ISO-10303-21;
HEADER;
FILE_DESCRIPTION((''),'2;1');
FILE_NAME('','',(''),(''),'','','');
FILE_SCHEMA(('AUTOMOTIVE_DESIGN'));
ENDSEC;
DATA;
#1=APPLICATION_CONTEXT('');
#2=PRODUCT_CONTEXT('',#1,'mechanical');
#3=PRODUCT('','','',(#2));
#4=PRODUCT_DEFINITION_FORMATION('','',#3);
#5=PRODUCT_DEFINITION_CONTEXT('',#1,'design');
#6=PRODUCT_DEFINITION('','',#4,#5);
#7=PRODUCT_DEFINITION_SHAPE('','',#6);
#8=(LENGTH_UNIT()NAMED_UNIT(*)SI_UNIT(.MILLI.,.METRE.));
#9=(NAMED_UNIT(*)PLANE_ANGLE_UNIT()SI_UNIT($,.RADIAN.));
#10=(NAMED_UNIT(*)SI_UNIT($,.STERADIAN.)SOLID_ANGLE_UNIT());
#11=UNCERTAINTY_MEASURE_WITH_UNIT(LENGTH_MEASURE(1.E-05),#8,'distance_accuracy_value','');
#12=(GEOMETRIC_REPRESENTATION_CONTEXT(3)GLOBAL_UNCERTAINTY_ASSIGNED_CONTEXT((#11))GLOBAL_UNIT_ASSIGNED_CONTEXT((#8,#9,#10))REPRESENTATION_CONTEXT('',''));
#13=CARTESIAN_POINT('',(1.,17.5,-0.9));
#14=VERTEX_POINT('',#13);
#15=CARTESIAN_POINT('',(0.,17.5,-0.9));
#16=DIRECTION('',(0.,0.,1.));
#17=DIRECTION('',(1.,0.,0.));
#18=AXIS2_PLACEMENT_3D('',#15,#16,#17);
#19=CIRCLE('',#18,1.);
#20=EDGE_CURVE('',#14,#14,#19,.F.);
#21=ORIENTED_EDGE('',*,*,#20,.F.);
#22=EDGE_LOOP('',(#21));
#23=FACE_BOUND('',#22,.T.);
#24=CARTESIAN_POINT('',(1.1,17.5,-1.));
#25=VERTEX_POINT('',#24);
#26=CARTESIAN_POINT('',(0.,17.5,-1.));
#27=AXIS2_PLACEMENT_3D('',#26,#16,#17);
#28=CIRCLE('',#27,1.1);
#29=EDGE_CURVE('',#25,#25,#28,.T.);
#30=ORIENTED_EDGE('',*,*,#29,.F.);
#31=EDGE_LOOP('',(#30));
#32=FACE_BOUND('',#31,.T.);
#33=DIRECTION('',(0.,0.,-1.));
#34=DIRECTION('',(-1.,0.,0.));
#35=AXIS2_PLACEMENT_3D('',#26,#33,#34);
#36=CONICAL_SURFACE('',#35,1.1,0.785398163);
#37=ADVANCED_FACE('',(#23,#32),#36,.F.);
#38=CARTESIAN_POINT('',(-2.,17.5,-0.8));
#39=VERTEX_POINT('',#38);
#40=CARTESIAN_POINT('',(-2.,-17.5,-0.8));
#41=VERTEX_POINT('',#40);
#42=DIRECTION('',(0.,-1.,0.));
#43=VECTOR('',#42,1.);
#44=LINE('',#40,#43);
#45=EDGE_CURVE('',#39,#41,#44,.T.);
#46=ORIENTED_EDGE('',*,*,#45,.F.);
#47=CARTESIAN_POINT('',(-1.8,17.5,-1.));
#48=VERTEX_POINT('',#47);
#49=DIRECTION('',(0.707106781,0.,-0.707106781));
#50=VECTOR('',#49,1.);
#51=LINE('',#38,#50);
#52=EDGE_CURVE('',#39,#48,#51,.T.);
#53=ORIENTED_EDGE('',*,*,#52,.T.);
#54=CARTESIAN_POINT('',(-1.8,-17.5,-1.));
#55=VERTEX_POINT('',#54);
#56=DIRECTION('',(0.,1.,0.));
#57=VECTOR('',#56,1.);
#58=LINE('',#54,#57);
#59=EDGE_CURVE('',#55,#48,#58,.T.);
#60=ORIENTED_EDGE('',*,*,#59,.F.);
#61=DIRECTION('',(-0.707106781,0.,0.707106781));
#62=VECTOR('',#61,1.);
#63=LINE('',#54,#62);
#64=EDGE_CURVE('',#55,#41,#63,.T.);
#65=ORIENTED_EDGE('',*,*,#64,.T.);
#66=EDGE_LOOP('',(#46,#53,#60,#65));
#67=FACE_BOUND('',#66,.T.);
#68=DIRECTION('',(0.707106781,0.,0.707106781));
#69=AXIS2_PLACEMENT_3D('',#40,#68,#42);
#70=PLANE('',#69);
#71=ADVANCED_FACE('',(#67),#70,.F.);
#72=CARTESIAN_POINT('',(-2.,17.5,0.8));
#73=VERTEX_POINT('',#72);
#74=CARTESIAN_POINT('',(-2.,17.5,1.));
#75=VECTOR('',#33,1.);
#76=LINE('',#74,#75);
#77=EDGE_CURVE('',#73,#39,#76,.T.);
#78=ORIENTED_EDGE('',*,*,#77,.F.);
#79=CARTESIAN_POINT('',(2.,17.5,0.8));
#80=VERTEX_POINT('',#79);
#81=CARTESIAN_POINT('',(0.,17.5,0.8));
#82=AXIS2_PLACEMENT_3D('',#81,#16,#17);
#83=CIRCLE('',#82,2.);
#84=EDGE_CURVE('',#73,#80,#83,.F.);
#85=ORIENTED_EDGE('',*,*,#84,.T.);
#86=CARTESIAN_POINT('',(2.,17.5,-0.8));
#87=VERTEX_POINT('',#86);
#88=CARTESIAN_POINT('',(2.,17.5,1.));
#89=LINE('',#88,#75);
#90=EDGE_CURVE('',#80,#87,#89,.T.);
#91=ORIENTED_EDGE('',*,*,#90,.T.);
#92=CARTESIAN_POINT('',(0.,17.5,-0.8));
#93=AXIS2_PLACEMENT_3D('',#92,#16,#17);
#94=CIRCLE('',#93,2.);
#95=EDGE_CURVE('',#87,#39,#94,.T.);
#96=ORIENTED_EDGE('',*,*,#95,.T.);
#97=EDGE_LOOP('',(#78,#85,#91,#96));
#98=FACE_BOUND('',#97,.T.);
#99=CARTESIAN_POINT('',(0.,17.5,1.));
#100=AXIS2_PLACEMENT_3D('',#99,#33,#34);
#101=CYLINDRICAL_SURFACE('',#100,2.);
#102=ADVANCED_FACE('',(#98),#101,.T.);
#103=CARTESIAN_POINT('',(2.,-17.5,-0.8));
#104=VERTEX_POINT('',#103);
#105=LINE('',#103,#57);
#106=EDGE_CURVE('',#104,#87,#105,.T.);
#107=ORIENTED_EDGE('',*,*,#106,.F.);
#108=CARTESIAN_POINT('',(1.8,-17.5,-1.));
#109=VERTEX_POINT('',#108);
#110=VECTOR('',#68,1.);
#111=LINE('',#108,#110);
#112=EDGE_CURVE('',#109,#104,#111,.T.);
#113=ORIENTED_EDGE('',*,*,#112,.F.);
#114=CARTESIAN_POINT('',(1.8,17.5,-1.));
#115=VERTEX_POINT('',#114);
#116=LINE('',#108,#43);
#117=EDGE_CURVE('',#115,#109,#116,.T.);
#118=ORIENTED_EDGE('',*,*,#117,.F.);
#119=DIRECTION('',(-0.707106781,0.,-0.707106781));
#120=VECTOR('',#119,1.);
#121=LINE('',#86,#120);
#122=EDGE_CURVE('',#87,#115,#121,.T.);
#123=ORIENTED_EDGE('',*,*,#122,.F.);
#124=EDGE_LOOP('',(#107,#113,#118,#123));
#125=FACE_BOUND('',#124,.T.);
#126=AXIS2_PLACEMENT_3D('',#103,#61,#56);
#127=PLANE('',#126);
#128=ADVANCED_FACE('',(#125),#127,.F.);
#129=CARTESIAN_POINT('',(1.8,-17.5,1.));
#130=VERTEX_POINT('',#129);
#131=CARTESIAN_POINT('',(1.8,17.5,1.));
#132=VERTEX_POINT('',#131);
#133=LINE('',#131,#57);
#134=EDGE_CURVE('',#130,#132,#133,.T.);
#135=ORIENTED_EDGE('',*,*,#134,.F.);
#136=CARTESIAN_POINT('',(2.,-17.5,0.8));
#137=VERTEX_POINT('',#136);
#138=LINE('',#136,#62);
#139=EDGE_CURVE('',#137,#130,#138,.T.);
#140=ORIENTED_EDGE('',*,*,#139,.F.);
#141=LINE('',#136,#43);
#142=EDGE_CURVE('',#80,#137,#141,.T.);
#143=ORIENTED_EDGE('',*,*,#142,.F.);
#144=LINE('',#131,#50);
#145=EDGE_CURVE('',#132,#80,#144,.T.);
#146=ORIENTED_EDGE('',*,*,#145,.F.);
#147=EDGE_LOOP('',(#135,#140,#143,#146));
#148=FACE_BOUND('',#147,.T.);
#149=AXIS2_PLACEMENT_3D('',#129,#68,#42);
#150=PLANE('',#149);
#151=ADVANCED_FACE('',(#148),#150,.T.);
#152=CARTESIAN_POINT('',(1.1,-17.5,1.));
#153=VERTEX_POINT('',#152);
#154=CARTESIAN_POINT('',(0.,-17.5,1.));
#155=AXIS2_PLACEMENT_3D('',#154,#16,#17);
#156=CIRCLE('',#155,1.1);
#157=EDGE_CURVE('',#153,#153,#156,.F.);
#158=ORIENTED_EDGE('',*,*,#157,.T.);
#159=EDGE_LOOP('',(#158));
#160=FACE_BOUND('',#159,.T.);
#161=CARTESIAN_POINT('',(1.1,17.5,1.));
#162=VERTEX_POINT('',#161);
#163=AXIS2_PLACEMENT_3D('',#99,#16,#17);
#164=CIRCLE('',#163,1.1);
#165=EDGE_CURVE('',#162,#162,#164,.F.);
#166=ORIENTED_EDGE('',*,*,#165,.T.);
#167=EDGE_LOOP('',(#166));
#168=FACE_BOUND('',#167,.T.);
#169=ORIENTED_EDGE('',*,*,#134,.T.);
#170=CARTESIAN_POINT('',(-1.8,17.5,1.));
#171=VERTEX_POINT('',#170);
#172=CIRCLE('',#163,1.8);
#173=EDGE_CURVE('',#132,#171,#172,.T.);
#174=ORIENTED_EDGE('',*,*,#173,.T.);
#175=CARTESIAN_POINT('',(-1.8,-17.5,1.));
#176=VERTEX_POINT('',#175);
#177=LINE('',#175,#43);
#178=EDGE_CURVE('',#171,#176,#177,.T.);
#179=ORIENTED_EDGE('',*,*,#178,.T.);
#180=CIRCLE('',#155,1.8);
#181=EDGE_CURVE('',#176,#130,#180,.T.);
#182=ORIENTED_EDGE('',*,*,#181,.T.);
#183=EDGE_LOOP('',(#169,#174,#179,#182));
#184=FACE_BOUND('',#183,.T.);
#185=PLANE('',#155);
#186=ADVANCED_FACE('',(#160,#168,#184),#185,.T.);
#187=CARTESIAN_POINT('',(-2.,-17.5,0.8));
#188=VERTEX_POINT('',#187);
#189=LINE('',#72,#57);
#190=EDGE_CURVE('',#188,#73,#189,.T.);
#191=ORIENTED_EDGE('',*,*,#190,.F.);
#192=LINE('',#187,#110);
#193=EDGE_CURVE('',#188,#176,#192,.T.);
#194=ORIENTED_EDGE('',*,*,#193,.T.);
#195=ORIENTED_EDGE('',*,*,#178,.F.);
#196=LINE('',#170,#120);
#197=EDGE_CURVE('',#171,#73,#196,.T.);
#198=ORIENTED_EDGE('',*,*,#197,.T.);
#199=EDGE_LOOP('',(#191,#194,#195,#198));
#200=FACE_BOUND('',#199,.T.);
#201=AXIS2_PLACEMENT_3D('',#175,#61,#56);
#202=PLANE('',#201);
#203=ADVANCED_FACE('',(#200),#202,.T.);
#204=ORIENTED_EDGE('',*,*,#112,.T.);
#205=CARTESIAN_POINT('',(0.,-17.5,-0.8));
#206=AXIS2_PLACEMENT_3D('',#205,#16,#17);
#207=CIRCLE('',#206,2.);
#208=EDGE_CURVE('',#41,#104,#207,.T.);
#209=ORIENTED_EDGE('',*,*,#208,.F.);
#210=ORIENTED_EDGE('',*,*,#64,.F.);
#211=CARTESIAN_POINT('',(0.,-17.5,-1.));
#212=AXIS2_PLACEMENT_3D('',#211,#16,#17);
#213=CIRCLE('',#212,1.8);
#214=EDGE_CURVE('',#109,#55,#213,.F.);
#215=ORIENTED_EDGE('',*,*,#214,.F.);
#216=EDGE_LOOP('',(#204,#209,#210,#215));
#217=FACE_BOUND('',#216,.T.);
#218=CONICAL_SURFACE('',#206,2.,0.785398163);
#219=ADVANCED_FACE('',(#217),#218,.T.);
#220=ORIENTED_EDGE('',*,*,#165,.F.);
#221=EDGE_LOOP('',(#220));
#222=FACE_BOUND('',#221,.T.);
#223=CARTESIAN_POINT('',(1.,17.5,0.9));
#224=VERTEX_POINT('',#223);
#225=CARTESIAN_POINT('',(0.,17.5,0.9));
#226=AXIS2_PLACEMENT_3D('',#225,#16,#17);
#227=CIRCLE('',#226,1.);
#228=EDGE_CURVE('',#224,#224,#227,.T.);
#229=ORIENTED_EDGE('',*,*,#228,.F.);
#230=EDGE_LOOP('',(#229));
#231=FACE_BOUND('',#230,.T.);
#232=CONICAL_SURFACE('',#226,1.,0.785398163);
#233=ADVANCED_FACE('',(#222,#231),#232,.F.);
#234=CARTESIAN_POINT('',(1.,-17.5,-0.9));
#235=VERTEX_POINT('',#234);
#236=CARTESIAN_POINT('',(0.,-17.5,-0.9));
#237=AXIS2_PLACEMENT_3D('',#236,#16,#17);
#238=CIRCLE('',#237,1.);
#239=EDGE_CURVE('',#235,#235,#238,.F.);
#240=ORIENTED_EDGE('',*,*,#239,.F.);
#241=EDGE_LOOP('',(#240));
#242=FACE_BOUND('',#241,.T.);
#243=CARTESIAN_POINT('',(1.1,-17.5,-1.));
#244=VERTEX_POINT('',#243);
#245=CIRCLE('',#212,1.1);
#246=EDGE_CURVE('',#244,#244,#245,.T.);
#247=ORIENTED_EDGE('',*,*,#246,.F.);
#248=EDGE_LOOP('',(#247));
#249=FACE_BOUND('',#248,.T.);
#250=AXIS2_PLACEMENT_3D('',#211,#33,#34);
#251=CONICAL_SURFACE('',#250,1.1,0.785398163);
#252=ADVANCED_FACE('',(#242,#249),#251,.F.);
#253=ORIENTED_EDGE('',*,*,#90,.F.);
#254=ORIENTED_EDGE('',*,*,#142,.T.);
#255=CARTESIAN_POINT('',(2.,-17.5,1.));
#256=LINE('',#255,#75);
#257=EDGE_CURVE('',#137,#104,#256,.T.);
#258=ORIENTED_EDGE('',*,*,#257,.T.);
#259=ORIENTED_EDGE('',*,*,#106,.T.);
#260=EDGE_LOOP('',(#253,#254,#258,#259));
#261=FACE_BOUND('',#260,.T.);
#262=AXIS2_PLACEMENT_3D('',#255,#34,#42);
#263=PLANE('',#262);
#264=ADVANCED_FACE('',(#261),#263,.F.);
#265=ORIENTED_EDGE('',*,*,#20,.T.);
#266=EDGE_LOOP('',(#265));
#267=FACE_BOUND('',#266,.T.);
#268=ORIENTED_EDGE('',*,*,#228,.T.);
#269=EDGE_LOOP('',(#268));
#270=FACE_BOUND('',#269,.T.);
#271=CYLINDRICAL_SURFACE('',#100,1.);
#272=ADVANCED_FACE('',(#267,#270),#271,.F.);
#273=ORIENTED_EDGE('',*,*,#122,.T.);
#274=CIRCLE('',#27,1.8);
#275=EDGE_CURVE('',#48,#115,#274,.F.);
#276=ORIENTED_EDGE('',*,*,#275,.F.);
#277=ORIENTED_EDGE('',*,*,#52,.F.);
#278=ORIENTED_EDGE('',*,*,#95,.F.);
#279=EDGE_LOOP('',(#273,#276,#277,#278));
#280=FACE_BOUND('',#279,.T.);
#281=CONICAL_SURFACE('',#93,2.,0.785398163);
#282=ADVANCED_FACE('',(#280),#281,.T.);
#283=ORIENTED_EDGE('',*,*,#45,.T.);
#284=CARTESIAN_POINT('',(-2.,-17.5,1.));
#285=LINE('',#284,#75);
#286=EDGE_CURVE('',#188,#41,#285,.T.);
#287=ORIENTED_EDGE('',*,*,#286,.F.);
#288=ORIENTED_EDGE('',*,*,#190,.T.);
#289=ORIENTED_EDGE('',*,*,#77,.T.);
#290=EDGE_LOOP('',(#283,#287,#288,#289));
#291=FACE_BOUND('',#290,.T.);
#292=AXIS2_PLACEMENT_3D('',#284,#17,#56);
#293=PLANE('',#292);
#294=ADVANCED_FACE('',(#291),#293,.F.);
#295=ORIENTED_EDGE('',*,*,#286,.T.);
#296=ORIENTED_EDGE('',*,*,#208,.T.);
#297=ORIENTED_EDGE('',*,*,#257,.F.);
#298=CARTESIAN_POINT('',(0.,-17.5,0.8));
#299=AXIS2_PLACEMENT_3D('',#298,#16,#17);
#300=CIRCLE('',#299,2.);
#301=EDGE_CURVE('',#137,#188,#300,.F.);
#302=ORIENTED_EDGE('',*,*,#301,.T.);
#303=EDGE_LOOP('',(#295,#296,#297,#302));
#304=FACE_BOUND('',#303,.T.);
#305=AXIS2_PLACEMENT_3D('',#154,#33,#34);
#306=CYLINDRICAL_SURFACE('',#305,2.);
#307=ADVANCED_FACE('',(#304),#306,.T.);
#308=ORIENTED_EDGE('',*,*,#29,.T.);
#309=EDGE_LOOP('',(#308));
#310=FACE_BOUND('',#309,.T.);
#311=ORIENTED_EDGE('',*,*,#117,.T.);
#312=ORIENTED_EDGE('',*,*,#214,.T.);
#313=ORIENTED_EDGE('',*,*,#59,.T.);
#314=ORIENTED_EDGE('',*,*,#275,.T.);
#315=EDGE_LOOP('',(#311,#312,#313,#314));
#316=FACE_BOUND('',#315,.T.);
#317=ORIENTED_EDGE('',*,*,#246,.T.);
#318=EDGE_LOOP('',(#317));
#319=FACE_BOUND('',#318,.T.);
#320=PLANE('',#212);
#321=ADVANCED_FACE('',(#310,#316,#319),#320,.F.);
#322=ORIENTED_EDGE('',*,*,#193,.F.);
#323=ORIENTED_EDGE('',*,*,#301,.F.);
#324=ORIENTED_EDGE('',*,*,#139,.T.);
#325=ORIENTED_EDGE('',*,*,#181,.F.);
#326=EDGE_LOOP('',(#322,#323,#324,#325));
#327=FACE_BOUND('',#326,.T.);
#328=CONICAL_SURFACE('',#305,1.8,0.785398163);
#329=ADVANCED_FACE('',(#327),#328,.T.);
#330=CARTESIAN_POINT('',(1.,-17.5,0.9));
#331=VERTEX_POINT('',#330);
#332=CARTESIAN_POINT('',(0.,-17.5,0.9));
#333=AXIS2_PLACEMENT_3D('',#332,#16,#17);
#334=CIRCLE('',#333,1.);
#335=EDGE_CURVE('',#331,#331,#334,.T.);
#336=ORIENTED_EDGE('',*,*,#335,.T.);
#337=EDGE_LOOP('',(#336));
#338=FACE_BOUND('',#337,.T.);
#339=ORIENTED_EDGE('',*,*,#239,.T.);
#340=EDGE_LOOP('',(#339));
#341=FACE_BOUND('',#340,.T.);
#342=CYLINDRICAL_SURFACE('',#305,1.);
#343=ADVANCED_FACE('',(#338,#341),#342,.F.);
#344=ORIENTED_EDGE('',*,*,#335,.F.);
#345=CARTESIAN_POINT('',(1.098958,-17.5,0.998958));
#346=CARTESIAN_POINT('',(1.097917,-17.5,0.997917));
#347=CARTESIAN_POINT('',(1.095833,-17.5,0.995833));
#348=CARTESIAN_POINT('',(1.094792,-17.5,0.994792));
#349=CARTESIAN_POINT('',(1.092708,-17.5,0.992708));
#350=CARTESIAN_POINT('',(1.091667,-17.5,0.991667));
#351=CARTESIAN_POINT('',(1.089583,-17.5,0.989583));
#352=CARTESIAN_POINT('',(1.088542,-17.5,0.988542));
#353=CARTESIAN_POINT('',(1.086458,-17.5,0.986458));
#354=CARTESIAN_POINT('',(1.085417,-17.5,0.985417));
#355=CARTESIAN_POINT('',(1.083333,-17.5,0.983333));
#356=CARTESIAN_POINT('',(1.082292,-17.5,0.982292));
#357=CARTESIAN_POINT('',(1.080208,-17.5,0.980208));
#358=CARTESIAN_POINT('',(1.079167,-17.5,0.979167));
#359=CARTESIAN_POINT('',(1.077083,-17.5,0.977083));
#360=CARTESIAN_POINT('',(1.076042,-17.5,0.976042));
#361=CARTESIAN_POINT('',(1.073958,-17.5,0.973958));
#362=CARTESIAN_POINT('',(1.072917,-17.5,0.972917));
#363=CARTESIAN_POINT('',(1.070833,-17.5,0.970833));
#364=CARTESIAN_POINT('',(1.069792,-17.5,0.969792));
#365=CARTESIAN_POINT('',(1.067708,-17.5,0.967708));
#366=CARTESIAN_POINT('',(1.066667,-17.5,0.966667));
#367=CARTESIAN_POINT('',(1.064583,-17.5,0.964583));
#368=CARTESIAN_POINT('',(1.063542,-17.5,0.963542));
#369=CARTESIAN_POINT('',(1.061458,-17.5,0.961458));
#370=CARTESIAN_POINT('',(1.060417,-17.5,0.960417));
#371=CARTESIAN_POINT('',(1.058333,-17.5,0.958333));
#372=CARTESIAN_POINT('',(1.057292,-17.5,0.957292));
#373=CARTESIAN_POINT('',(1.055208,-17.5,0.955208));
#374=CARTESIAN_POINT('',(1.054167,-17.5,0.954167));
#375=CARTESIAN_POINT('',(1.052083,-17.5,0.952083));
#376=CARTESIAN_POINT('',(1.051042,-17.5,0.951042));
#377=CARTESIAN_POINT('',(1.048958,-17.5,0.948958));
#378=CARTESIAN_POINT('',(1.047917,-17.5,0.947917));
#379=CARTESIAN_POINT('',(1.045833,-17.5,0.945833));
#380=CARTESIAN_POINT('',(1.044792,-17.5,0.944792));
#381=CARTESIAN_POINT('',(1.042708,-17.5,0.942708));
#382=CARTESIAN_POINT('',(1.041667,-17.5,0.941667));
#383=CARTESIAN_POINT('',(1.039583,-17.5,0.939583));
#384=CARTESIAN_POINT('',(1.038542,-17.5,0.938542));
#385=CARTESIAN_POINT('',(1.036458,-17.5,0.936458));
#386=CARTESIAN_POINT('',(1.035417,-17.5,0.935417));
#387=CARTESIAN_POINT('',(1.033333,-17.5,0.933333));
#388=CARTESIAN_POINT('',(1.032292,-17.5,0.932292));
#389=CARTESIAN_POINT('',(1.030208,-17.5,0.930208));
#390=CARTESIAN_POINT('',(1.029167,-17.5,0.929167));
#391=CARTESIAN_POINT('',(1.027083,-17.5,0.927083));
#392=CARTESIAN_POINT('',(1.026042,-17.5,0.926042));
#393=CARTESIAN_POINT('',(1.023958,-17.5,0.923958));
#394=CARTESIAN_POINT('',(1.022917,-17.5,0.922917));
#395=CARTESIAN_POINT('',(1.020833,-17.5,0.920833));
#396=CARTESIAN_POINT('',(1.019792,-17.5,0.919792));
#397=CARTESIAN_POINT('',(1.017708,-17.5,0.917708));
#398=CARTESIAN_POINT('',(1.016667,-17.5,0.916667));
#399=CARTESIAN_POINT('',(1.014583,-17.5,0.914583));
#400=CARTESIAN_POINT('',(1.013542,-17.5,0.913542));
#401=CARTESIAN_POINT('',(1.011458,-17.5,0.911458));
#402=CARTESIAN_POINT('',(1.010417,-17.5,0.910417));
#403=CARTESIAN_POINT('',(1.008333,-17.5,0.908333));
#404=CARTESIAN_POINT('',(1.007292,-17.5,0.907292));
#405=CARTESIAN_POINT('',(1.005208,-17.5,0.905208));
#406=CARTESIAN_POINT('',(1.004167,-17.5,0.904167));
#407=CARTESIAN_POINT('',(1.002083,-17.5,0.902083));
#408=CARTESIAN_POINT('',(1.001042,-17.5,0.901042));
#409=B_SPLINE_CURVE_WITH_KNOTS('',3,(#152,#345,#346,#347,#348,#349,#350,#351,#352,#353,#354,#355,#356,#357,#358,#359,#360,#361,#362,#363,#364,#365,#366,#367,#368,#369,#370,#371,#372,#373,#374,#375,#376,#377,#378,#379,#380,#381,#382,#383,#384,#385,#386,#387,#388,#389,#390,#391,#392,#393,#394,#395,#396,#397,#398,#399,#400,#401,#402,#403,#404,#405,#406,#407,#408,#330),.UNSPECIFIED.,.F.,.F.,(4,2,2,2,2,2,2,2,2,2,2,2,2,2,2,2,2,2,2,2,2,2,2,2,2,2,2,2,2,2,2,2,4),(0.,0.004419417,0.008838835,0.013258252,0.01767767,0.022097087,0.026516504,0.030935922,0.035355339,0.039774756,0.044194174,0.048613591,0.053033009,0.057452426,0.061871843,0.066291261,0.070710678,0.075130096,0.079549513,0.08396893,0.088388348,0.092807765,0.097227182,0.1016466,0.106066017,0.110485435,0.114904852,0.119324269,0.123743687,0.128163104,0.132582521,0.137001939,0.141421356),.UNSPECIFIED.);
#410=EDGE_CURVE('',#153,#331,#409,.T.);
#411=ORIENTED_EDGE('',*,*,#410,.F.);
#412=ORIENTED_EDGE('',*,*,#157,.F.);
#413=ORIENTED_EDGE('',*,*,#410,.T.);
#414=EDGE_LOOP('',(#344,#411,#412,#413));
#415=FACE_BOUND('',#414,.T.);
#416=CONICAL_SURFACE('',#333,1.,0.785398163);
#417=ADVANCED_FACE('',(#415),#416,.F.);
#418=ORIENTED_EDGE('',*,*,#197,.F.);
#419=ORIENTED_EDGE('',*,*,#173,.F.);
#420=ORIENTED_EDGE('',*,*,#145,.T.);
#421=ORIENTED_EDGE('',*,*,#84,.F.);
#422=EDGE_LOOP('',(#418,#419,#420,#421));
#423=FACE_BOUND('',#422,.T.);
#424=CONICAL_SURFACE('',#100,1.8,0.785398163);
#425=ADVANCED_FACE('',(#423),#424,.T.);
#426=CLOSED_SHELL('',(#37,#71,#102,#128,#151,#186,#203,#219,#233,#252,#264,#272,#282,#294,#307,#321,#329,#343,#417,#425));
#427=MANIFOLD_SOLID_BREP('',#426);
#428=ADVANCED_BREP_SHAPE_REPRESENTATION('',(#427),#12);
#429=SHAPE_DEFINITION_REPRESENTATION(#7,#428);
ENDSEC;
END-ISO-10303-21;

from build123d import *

# Parameters (mm, degrees)
SKETCH1_R           = 1
BOSS_EXTRUDE1_DEPTH = 1
CHAMFER1_SIZE       = 0.2
CHAMFER2_SIZE       = 0.1


with BuildPart() as part:
    # Sketch1 → Boss-Extrude1 (new, symmetric)
    with BuildSketch(Plane.XY):
        with BuildLine():
            Line((-2, -17.5), (-2, 17.5))
            ThreePointArc((-2, 17.5), (0, 19.5), (2, 17.5))
            Line((2, 17.5), (2, -17.5))
            ThreePointArc((2, -17.5), (0, -19.5), (-2, -17.5))
        make_face()
        with Locations((0, 17.5)):
            Circle(SKETCH1_R, mode=Mode.SUBTRACT)
        with Locations((0, -17.5)):
            Circle(SKETCH1_R, mode=Mode.SUBTRACT)
    extrude(amount=BOSS_EXTRUDE1_DEPTH, both=True)

    # Chamfer1
    chamfer1_edges = [part.edges().sort_by_distance(p)[0] for p in [
        (0, 19.5, 1),
        (-2, 0, 1),
        (0, -19.5, 1),
        (-2, 0, -1),
        (0, 19.5, -1),
        (2, 0, -1),
        (0, -19.5, -1),
        (2, 0, 1),
    ]]
    chamfer(chamfer1_edges, length=CHAMFER1_SIZE)

    # Chamfer2
    chamfer2_edges = [part.edges().sort_by_distance(p)[0] for p in [
        (-1, 17.5, -1),
        (-1, 17.5, 1),
        (-1, -17.5, -1),
        (-1, -17.5, 1),
    ]]
    chamfer(chamfer2_edges, length=CHAMFER2_SIZE)


solid = part.part
